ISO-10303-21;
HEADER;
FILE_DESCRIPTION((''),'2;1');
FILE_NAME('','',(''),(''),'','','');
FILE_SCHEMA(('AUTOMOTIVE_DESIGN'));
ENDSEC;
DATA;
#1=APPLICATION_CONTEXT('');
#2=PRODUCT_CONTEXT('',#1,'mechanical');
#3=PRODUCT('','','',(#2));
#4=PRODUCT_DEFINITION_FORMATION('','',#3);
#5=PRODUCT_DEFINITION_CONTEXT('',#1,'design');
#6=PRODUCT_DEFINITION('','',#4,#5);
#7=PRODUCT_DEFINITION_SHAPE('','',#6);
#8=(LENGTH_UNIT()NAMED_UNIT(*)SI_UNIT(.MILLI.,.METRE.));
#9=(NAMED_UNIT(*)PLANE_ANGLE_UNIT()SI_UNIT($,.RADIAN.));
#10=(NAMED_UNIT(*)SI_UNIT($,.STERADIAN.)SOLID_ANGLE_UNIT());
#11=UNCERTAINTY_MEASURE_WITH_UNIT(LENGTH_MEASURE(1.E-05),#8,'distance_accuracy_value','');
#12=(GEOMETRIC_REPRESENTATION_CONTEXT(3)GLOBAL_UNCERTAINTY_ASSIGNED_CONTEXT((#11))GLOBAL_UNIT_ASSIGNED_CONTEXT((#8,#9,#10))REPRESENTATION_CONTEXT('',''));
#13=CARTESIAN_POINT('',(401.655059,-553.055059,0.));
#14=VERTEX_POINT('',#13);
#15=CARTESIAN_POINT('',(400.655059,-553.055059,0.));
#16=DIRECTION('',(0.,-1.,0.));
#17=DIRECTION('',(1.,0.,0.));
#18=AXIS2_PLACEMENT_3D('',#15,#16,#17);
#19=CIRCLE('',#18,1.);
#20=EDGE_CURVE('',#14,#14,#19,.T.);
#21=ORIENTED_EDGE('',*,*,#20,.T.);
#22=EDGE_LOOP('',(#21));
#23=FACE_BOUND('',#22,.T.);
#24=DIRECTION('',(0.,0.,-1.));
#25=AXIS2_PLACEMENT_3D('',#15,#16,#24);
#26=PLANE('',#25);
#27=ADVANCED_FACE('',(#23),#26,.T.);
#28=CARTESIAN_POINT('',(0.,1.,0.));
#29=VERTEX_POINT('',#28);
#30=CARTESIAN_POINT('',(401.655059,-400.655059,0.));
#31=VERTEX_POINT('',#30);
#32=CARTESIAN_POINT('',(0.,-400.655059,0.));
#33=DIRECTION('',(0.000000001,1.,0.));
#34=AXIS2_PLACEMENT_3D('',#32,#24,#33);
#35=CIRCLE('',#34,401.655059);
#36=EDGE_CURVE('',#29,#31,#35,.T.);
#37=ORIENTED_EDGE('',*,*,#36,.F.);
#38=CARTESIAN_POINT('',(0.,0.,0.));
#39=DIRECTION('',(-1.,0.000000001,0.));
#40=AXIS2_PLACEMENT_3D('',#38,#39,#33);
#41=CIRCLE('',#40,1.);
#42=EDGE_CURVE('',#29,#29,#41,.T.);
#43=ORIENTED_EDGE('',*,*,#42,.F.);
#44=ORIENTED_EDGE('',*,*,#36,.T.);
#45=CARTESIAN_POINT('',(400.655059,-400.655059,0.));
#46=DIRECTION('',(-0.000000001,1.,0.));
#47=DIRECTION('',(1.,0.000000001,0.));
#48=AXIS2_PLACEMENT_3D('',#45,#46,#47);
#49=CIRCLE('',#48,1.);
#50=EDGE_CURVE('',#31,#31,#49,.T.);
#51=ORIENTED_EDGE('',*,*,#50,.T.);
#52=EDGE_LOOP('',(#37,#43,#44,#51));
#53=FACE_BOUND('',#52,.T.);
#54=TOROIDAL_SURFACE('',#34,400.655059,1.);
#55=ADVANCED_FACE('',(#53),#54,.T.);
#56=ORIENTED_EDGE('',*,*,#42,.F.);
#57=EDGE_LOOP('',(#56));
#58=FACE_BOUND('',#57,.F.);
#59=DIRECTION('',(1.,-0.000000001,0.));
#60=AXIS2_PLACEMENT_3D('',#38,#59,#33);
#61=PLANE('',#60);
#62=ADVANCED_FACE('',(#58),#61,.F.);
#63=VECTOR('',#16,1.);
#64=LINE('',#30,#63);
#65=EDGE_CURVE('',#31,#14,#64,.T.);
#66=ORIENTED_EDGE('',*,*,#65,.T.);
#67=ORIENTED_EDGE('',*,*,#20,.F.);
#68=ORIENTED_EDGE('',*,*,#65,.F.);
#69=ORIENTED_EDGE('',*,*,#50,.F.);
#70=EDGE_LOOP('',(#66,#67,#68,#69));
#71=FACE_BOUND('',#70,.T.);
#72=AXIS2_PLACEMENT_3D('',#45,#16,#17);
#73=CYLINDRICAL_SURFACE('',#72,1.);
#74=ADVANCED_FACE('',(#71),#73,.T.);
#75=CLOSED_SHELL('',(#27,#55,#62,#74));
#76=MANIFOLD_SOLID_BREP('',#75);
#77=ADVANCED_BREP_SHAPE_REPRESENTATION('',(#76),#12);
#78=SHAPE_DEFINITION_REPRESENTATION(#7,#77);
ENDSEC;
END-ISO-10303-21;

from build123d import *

# Parameters (mm, degrees)
F1_R = 1


with BuildPart() as f2:
    # F2: sweep along a path in F0
    with BuildLine(Plane.XY) as f2_path:
        ThreePointArc((0, 0), (283.305909, -117.34915), (400.655059, -400.655059))
        Line((400.655059, -400.655059), (400.655059, -553.055059))
    # F1 (on Right) → F2 (sweep)
    with BuildSketch(Plane.YZ):
        Circle(F1_R)
    sweep(path=f2_path.line)


solid = f2.part
